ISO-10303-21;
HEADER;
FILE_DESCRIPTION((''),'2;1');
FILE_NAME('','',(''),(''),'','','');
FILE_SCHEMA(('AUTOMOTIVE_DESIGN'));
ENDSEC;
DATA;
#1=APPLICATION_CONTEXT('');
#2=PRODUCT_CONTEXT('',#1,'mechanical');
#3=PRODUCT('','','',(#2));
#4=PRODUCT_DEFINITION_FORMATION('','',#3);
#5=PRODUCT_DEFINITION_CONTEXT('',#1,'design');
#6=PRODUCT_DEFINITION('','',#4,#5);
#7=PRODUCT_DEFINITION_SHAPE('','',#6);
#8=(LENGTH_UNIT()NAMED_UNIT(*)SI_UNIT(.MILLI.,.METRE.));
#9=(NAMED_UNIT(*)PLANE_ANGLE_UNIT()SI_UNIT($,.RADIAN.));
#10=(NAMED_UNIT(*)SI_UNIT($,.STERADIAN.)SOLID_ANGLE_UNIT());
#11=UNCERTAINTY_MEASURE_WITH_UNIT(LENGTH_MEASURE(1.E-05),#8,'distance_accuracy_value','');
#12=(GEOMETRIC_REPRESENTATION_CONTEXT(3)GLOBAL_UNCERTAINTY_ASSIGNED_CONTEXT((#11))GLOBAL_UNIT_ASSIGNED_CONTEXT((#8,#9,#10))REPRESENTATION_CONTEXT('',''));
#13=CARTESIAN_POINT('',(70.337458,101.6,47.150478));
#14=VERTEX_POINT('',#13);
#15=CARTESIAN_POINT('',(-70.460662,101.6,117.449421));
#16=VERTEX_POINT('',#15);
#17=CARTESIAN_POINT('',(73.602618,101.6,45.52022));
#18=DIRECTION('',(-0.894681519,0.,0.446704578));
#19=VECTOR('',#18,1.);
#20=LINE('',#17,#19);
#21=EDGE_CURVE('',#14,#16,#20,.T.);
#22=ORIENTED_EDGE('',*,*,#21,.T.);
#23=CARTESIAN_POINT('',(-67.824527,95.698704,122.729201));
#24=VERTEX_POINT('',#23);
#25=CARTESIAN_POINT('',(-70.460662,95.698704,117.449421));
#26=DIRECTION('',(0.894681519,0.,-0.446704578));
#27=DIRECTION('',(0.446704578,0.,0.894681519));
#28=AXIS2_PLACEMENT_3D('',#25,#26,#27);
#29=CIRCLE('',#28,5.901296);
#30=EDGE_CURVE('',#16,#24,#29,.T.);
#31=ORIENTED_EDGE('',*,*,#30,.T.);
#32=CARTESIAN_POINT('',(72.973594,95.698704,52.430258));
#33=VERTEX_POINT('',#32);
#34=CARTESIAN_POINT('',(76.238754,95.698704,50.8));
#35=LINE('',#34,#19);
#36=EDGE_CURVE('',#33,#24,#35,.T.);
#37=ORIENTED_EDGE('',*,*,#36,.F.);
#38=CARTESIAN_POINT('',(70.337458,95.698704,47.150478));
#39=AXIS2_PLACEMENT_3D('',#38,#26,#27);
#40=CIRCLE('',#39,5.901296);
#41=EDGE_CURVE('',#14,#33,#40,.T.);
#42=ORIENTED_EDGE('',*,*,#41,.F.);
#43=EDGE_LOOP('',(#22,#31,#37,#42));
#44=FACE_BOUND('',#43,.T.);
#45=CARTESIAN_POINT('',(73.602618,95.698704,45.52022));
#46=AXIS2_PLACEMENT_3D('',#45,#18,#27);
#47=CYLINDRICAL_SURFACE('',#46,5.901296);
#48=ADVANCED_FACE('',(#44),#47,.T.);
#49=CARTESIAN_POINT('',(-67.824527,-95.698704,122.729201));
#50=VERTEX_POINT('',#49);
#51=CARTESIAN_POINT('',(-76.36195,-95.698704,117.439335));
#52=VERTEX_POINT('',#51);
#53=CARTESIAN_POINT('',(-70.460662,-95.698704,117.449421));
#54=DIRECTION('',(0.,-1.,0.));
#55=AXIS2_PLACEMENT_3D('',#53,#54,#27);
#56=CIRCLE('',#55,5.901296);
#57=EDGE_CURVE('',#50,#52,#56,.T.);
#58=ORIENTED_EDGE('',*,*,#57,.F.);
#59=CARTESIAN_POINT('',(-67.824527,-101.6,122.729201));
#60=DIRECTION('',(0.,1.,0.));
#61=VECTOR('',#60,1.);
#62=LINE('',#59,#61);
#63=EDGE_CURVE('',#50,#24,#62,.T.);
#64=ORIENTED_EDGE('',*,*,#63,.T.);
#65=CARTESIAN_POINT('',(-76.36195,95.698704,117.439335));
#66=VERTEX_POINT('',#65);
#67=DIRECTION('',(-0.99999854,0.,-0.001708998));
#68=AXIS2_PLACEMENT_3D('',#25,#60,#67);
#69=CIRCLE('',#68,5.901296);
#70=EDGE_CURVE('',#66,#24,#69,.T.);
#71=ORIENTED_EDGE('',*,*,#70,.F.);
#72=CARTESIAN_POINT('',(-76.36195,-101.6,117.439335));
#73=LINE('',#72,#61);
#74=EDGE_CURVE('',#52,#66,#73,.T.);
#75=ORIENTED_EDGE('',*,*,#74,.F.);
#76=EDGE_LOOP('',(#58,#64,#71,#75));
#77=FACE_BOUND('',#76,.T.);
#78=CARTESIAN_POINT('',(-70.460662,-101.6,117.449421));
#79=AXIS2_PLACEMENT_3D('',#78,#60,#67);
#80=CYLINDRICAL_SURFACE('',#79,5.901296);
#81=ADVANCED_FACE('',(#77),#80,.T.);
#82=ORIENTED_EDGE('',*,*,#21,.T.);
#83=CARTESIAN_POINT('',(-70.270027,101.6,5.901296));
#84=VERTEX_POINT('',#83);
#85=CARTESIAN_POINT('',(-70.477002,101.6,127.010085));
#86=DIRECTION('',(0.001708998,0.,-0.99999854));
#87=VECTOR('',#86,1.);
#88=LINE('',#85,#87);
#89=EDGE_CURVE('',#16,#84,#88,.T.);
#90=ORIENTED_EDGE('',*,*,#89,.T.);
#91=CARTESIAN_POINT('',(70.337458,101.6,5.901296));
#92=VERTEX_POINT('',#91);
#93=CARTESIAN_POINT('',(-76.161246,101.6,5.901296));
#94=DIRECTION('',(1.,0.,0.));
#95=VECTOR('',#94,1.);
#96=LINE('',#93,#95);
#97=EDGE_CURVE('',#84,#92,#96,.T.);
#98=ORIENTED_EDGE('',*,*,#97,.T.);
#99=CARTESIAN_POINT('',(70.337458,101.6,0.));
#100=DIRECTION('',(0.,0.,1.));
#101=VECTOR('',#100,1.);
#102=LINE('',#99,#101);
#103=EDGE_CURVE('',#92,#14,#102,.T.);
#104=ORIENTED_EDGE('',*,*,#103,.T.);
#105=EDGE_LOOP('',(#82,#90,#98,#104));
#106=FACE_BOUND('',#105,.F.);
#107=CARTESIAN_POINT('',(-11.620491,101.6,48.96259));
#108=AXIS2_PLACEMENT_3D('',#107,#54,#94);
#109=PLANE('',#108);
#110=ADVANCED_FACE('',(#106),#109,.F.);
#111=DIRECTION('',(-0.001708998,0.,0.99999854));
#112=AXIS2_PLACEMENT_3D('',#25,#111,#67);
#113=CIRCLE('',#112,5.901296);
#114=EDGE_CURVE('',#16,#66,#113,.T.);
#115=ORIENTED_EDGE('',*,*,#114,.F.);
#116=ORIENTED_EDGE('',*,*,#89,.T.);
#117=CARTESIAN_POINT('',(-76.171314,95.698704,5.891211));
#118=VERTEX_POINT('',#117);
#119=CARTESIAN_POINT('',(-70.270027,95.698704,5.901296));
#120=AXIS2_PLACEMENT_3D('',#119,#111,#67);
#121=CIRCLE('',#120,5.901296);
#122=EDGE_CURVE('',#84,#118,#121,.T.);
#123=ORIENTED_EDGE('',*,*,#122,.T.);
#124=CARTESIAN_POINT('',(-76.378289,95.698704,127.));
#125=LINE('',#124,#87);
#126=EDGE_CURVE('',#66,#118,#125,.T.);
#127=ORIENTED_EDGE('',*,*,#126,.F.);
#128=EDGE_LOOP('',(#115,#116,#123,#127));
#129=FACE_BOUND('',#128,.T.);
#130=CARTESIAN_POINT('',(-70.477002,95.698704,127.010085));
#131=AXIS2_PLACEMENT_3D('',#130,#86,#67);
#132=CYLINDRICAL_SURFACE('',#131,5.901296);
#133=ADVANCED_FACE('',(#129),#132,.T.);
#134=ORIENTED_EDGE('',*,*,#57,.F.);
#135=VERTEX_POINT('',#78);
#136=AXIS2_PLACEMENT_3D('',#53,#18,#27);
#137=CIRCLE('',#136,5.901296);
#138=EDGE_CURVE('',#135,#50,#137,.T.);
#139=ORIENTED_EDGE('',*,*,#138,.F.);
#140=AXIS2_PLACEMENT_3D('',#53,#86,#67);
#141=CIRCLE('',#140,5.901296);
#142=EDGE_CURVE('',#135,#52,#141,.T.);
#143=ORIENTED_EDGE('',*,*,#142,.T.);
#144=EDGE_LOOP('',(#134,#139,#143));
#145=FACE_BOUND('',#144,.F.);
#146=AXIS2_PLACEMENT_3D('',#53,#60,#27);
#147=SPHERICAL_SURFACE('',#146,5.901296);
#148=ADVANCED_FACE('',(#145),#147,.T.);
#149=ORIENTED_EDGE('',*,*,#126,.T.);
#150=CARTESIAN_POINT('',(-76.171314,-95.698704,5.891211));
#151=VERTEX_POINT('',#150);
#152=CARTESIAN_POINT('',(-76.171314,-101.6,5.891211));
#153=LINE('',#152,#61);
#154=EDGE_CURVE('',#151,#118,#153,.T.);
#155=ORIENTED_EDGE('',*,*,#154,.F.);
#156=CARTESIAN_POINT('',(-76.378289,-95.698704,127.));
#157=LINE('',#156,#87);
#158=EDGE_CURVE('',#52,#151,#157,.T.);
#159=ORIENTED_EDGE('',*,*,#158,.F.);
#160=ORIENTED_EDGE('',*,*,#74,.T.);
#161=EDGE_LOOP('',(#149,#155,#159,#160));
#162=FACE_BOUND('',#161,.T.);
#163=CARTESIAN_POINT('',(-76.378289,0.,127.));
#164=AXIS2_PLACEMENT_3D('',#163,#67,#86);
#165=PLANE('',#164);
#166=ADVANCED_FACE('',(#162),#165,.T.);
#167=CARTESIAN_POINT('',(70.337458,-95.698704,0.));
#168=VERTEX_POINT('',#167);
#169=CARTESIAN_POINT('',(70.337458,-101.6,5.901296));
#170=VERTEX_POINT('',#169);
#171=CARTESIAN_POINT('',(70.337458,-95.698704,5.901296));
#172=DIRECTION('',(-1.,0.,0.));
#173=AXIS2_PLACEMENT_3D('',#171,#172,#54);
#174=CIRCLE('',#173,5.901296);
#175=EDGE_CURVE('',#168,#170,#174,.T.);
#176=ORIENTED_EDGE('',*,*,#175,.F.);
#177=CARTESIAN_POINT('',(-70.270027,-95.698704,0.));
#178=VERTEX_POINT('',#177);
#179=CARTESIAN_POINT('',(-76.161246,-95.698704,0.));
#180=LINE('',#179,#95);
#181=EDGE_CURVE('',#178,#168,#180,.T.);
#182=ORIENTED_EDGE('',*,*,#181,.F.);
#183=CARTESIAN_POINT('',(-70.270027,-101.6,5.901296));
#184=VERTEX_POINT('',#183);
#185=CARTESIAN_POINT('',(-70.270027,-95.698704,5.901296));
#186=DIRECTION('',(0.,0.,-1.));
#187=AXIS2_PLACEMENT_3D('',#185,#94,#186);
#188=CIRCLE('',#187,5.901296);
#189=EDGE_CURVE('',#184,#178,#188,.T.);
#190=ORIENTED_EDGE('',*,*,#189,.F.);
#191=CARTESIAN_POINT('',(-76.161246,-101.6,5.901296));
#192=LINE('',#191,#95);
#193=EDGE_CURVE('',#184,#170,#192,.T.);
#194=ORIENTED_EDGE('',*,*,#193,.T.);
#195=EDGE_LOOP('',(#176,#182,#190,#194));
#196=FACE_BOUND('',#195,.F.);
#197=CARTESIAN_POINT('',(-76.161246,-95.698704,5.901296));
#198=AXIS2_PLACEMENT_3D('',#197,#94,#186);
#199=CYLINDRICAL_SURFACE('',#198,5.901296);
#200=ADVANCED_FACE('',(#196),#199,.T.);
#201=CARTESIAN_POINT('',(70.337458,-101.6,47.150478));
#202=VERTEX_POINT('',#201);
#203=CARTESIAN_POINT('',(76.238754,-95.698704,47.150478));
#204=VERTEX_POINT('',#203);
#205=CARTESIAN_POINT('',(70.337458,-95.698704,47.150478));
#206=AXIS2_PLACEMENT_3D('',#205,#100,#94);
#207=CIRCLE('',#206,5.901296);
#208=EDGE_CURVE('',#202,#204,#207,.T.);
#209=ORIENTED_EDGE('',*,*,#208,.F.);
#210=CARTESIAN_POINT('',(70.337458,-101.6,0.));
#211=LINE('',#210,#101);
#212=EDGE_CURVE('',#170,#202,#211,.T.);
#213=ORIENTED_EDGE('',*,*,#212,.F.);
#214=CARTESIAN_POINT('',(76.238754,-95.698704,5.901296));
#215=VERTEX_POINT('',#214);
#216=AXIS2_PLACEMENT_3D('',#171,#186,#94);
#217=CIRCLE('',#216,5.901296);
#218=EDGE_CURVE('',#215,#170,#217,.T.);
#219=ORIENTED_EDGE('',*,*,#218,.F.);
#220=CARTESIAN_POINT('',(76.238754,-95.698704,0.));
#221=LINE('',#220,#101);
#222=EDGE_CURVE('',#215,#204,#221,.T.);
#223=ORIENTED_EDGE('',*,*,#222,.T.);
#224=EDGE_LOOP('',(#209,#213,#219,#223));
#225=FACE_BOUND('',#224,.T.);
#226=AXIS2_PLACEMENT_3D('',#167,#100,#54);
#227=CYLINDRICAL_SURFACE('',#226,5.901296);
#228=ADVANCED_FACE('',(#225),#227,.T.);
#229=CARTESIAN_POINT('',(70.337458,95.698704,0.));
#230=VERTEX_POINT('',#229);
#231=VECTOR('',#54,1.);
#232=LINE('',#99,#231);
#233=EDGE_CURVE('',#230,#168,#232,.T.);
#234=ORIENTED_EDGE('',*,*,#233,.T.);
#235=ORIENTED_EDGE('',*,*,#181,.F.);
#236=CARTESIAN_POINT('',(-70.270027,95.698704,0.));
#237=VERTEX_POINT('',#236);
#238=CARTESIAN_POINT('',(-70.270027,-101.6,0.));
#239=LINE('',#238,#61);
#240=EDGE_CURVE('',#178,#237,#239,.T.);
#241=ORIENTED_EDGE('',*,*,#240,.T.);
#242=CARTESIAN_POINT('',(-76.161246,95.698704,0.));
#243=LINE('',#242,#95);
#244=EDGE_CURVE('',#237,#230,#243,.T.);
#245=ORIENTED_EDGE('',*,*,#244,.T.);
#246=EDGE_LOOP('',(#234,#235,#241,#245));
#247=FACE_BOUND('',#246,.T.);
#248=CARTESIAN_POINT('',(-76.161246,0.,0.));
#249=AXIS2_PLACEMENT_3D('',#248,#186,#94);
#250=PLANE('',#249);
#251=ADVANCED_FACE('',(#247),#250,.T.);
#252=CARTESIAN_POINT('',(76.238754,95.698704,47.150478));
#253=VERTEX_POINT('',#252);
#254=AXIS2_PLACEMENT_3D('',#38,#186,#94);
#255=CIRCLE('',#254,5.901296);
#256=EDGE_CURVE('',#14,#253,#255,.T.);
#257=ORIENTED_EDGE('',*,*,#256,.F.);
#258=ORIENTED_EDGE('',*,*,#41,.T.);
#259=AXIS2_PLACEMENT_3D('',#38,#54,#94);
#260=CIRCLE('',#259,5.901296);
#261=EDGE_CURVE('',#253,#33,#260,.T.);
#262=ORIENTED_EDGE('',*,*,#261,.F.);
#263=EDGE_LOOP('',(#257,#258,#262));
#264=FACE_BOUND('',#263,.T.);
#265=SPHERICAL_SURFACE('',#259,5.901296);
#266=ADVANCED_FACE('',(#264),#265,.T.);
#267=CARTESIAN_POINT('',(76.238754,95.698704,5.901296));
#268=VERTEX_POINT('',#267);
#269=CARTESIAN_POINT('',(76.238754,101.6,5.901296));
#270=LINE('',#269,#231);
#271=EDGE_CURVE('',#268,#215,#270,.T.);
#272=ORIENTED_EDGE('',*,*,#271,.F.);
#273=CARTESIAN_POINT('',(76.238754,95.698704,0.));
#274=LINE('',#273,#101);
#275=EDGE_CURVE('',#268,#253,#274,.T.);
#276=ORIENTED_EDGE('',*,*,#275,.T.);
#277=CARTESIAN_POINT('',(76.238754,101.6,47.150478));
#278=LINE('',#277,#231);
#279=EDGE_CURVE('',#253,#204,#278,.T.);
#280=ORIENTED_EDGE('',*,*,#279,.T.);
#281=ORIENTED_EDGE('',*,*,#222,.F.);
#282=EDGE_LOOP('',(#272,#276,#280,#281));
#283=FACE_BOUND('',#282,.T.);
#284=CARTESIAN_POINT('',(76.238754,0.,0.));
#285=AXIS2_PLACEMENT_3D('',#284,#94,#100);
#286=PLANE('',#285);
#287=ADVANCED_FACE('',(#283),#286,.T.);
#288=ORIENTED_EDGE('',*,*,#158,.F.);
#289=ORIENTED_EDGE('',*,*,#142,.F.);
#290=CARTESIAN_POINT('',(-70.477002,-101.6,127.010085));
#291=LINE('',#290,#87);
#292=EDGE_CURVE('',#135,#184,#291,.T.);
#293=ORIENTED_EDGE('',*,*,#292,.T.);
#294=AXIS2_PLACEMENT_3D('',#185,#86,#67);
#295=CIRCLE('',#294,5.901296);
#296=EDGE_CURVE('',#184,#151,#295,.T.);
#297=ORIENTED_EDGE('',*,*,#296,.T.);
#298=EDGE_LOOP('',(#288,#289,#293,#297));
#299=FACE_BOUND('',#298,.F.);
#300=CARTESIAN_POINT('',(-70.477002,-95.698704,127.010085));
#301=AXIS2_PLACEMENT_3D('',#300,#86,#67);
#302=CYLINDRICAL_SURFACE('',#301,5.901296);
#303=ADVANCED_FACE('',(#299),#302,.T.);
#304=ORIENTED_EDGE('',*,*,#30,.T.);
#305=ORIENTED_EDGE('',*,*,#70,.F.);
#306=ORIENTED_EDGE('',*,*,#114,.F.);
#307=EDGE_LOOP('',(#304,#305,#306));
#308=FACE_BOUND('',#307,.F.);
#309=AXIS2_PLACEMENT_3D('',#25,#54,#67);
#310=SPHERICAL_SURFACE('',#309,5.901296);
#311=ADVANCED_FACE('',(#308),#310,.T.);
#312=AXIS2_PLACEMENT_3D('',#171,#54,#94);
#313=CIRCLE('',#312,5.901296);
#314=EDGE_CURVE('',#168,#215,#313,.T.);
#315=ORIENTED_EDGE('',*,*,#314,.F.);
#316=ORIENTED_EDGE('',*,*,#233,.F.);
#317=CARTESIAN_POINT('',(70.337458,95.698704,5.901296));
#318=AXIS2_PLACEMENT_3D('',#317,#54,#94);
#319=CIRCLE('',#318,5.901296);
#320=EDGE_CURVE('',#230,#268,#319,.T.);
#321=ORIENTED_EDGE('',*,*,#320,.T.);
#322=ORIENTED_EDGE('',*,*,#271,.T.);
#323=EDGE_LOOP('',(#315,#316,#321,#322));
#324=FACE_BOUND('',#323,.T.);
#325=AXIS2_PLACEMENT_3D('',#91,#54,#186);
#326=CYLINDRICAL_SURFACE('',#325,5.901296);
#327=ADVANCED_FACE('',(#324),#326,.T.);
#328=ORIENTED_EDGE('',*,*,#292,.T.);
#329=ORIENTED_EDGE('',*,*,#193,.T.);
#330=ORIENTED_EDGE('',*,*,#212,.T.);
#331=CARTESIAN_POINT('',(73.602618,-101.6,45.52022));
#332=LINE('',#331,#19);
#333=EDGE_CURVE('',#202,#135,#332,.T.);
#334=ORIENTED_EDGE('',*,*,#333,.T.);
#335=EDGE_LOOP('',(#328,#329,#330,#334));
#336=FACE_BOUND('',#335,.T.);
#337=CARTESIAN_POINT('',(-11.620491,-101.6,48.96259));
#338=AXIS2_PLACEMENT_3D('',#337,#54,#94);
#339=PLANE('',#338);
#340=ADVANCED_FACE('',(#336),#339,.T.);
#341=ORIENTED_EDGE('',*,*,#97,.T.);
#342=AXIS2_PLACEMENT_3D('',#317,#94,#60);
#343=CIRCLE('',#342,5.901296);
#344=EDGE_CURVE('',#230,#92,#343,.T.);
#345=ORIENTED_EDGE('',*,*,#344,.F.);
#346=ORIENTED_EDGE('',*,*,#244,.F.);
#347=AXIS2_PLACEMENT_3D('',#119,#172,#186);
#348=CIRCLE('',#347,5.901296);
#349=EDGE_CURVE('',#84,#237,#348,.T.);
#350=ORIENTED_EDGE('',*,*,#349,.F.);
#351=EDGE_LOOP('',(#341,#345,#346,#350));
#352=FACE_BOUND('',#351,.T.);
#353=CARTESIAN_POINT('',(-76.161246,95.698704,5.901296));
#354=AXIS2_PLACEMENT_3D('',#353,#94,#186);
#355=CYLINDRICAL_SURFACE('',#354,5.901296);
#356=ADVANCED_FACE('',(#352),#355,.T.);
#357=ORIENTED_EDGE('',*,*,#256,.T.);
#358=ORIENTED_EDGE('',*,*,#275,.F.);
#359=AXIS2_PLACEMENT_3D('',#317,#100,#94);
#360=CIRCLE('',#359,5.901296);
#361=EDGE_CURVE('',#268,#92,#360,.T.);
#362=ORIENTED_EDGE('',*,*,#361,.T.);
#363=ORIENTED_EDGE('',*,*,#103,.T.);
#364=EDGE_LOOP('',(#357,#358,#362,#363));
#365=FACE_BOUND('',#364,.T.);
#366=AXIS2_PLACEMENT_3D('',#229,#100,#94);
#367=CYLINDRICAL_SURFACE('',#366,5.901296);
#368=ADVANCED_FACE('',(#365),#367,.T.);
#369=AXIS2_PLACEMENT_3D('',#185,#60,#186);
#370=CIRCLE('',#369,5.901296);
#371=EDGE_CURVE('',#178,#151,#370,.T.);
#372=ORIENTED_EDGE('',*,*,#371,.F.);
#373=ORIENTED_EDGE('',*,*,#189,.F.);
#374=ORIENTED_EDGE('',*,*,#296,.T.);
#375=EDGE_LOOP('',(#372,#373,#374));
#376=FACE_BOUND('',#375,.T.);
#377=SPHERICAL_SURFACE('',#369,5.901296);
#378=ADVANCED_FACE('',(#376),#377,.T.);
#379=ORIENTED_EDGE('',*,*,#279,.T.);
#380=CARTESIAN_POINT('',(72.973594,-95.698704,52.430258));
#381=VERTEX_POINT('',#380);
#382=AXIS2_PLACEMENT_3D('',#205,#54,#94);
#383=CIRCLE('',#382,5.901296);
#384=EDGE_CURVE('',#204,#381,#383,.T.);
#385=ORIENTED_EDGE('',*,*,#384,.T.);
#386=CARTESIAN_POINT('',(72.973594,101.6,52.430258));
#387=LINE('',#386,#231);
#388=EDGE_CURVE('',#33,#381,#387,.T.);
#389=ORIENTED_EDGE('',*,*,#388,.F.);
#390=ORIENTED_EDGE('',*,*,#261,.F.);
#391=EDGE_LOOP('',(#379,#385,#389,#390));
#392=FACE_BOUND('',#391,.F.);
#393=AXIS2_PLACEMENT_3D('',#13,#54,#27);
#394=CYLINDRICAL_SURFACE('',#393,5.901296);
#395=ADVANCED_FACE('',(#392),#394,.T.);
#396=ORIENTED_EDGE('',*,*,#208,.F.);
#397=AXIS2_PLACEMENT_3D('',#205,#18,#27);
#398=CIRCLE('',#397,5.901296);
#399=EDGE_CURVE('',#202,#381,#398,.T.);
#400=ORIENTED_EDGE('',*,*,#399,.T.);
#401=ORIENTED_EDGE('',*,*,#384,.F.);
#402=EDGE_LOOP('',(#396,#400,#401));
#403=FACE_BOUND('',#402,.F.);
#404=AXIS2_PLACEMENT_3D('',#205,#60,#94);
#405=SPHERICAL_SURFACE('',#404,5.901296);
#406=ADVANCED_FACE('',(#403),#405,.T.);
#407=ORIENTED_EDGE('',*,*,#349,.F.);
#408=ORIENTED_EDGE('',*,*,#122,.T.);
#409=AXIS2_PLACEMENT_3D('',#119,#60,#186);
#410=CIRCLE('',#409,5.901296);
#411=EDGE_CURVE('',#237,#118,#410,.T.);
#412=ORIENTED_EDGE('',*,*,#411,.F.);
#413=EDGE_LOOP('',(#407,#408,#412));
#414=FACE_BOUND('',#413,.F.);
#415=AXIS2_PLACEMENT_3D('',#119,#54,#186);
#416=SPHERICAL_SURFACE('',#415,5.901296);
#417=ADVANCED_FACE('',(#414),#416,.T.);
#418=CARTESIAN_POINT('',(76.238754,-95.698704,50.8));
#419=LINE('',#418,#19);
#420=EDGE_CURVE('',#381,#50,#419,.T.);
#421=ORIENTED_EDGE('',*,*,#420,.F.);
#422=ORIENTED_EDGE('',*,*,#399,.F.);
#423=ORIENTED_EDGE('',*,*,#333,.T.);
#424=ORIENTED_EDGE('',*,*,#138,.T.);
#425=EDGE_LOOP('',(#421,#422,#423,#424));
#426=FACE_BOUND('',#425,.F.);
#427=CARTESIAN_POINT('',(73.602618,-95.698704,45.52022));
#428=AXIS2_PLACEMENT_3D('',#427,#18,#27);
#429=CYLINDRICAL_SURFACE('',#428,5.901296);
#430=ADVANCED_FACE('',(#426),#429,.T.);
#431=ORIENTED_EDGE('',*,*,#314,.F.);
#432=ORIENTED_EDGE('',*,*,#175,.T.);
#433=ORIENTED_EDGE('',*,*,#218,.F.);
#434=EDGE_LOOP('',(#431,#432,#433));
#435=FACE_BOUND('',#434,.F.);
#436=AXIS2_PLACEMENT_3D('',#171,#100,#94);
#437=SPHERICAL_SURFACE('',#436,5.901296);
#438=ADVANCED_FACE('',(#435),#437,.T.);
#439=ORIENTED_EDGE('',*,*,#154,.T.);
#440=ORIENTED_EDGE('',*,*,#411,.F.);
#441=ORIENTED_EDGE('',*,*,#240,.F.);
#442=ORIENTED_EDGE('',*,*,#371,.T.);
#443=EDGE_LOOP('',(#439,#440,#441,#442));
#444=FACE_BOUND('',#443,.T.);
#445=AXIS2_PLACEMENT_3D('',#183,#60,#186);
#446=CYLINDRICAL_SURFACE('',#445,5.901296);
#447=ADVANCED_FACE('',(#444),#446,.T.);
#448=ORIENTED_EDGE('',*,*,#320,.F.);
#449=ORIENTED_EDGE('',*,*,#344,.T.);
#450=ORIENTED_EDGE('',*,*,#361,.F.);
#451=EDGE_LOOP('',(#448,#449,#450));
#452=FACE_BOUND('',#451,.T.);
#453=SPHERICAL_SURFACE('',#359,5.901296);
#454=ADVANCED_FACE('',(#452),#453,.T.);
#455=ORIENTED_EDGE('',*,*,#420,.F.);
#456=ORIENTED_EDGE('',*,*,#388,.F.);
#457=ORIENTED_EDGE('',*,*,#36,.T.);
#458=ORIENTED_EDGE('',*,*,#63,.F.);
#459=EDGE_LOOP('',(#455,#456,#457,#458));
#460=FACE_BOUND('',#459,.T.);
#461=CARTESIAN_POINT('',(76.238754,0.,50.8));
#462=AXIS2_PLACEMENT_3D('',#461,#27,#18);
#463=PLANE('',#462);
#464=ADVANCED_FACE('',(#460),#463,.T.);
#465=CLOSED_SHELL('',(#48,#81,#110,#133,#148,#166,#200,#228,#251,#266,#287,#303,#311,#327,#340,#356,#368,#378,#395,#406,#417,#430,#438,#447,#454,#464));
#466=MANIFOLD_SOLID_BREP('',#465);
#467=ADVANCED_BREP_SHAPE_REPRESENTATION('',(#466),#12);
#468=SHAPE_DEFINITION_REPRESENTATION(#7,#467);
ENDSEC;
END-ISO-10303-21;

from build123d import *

# Parameters (mm, degrees)
F1_DEPTH = 101.6
F2_R     = 5.901296


with BuildPart() as f1:
    # F0 (on Front) → F1 (new body, symmetric)
    with BuildSketch(Plane.XZ):
        Polygon((-76.161246, 0), (76.238754, 0), (76.238754, 50.8), (-76.378289, 127), align=None)
    extrude(amount=F1_DEPTH, both=True)

    # F2
    f2_edges = [f1.edges().sort_by_distance(p)[0] for p in [
        (-0.069767, 101.6, 88.9),
        (-76.378289, 0, 127),
        (-0.069767, -101.6, 88.9),
        (76.238754, 0, 50.8),
        (76.238754, 101.6, 25.4),
        (76.238754, -101.6, 25.4),
        (76.238754, 0, 0),
        (-76.161246, 0, 0),
        (0.038754, 101.6, 0),
        (0.038754, -101.6, 0),
        (-76.269767, 101.6, 63.5),
        (-76.269767, -101.6, 63.5),
    ]]
    fillet(f2_edges, radius=F2_R)


solid = f1.part
